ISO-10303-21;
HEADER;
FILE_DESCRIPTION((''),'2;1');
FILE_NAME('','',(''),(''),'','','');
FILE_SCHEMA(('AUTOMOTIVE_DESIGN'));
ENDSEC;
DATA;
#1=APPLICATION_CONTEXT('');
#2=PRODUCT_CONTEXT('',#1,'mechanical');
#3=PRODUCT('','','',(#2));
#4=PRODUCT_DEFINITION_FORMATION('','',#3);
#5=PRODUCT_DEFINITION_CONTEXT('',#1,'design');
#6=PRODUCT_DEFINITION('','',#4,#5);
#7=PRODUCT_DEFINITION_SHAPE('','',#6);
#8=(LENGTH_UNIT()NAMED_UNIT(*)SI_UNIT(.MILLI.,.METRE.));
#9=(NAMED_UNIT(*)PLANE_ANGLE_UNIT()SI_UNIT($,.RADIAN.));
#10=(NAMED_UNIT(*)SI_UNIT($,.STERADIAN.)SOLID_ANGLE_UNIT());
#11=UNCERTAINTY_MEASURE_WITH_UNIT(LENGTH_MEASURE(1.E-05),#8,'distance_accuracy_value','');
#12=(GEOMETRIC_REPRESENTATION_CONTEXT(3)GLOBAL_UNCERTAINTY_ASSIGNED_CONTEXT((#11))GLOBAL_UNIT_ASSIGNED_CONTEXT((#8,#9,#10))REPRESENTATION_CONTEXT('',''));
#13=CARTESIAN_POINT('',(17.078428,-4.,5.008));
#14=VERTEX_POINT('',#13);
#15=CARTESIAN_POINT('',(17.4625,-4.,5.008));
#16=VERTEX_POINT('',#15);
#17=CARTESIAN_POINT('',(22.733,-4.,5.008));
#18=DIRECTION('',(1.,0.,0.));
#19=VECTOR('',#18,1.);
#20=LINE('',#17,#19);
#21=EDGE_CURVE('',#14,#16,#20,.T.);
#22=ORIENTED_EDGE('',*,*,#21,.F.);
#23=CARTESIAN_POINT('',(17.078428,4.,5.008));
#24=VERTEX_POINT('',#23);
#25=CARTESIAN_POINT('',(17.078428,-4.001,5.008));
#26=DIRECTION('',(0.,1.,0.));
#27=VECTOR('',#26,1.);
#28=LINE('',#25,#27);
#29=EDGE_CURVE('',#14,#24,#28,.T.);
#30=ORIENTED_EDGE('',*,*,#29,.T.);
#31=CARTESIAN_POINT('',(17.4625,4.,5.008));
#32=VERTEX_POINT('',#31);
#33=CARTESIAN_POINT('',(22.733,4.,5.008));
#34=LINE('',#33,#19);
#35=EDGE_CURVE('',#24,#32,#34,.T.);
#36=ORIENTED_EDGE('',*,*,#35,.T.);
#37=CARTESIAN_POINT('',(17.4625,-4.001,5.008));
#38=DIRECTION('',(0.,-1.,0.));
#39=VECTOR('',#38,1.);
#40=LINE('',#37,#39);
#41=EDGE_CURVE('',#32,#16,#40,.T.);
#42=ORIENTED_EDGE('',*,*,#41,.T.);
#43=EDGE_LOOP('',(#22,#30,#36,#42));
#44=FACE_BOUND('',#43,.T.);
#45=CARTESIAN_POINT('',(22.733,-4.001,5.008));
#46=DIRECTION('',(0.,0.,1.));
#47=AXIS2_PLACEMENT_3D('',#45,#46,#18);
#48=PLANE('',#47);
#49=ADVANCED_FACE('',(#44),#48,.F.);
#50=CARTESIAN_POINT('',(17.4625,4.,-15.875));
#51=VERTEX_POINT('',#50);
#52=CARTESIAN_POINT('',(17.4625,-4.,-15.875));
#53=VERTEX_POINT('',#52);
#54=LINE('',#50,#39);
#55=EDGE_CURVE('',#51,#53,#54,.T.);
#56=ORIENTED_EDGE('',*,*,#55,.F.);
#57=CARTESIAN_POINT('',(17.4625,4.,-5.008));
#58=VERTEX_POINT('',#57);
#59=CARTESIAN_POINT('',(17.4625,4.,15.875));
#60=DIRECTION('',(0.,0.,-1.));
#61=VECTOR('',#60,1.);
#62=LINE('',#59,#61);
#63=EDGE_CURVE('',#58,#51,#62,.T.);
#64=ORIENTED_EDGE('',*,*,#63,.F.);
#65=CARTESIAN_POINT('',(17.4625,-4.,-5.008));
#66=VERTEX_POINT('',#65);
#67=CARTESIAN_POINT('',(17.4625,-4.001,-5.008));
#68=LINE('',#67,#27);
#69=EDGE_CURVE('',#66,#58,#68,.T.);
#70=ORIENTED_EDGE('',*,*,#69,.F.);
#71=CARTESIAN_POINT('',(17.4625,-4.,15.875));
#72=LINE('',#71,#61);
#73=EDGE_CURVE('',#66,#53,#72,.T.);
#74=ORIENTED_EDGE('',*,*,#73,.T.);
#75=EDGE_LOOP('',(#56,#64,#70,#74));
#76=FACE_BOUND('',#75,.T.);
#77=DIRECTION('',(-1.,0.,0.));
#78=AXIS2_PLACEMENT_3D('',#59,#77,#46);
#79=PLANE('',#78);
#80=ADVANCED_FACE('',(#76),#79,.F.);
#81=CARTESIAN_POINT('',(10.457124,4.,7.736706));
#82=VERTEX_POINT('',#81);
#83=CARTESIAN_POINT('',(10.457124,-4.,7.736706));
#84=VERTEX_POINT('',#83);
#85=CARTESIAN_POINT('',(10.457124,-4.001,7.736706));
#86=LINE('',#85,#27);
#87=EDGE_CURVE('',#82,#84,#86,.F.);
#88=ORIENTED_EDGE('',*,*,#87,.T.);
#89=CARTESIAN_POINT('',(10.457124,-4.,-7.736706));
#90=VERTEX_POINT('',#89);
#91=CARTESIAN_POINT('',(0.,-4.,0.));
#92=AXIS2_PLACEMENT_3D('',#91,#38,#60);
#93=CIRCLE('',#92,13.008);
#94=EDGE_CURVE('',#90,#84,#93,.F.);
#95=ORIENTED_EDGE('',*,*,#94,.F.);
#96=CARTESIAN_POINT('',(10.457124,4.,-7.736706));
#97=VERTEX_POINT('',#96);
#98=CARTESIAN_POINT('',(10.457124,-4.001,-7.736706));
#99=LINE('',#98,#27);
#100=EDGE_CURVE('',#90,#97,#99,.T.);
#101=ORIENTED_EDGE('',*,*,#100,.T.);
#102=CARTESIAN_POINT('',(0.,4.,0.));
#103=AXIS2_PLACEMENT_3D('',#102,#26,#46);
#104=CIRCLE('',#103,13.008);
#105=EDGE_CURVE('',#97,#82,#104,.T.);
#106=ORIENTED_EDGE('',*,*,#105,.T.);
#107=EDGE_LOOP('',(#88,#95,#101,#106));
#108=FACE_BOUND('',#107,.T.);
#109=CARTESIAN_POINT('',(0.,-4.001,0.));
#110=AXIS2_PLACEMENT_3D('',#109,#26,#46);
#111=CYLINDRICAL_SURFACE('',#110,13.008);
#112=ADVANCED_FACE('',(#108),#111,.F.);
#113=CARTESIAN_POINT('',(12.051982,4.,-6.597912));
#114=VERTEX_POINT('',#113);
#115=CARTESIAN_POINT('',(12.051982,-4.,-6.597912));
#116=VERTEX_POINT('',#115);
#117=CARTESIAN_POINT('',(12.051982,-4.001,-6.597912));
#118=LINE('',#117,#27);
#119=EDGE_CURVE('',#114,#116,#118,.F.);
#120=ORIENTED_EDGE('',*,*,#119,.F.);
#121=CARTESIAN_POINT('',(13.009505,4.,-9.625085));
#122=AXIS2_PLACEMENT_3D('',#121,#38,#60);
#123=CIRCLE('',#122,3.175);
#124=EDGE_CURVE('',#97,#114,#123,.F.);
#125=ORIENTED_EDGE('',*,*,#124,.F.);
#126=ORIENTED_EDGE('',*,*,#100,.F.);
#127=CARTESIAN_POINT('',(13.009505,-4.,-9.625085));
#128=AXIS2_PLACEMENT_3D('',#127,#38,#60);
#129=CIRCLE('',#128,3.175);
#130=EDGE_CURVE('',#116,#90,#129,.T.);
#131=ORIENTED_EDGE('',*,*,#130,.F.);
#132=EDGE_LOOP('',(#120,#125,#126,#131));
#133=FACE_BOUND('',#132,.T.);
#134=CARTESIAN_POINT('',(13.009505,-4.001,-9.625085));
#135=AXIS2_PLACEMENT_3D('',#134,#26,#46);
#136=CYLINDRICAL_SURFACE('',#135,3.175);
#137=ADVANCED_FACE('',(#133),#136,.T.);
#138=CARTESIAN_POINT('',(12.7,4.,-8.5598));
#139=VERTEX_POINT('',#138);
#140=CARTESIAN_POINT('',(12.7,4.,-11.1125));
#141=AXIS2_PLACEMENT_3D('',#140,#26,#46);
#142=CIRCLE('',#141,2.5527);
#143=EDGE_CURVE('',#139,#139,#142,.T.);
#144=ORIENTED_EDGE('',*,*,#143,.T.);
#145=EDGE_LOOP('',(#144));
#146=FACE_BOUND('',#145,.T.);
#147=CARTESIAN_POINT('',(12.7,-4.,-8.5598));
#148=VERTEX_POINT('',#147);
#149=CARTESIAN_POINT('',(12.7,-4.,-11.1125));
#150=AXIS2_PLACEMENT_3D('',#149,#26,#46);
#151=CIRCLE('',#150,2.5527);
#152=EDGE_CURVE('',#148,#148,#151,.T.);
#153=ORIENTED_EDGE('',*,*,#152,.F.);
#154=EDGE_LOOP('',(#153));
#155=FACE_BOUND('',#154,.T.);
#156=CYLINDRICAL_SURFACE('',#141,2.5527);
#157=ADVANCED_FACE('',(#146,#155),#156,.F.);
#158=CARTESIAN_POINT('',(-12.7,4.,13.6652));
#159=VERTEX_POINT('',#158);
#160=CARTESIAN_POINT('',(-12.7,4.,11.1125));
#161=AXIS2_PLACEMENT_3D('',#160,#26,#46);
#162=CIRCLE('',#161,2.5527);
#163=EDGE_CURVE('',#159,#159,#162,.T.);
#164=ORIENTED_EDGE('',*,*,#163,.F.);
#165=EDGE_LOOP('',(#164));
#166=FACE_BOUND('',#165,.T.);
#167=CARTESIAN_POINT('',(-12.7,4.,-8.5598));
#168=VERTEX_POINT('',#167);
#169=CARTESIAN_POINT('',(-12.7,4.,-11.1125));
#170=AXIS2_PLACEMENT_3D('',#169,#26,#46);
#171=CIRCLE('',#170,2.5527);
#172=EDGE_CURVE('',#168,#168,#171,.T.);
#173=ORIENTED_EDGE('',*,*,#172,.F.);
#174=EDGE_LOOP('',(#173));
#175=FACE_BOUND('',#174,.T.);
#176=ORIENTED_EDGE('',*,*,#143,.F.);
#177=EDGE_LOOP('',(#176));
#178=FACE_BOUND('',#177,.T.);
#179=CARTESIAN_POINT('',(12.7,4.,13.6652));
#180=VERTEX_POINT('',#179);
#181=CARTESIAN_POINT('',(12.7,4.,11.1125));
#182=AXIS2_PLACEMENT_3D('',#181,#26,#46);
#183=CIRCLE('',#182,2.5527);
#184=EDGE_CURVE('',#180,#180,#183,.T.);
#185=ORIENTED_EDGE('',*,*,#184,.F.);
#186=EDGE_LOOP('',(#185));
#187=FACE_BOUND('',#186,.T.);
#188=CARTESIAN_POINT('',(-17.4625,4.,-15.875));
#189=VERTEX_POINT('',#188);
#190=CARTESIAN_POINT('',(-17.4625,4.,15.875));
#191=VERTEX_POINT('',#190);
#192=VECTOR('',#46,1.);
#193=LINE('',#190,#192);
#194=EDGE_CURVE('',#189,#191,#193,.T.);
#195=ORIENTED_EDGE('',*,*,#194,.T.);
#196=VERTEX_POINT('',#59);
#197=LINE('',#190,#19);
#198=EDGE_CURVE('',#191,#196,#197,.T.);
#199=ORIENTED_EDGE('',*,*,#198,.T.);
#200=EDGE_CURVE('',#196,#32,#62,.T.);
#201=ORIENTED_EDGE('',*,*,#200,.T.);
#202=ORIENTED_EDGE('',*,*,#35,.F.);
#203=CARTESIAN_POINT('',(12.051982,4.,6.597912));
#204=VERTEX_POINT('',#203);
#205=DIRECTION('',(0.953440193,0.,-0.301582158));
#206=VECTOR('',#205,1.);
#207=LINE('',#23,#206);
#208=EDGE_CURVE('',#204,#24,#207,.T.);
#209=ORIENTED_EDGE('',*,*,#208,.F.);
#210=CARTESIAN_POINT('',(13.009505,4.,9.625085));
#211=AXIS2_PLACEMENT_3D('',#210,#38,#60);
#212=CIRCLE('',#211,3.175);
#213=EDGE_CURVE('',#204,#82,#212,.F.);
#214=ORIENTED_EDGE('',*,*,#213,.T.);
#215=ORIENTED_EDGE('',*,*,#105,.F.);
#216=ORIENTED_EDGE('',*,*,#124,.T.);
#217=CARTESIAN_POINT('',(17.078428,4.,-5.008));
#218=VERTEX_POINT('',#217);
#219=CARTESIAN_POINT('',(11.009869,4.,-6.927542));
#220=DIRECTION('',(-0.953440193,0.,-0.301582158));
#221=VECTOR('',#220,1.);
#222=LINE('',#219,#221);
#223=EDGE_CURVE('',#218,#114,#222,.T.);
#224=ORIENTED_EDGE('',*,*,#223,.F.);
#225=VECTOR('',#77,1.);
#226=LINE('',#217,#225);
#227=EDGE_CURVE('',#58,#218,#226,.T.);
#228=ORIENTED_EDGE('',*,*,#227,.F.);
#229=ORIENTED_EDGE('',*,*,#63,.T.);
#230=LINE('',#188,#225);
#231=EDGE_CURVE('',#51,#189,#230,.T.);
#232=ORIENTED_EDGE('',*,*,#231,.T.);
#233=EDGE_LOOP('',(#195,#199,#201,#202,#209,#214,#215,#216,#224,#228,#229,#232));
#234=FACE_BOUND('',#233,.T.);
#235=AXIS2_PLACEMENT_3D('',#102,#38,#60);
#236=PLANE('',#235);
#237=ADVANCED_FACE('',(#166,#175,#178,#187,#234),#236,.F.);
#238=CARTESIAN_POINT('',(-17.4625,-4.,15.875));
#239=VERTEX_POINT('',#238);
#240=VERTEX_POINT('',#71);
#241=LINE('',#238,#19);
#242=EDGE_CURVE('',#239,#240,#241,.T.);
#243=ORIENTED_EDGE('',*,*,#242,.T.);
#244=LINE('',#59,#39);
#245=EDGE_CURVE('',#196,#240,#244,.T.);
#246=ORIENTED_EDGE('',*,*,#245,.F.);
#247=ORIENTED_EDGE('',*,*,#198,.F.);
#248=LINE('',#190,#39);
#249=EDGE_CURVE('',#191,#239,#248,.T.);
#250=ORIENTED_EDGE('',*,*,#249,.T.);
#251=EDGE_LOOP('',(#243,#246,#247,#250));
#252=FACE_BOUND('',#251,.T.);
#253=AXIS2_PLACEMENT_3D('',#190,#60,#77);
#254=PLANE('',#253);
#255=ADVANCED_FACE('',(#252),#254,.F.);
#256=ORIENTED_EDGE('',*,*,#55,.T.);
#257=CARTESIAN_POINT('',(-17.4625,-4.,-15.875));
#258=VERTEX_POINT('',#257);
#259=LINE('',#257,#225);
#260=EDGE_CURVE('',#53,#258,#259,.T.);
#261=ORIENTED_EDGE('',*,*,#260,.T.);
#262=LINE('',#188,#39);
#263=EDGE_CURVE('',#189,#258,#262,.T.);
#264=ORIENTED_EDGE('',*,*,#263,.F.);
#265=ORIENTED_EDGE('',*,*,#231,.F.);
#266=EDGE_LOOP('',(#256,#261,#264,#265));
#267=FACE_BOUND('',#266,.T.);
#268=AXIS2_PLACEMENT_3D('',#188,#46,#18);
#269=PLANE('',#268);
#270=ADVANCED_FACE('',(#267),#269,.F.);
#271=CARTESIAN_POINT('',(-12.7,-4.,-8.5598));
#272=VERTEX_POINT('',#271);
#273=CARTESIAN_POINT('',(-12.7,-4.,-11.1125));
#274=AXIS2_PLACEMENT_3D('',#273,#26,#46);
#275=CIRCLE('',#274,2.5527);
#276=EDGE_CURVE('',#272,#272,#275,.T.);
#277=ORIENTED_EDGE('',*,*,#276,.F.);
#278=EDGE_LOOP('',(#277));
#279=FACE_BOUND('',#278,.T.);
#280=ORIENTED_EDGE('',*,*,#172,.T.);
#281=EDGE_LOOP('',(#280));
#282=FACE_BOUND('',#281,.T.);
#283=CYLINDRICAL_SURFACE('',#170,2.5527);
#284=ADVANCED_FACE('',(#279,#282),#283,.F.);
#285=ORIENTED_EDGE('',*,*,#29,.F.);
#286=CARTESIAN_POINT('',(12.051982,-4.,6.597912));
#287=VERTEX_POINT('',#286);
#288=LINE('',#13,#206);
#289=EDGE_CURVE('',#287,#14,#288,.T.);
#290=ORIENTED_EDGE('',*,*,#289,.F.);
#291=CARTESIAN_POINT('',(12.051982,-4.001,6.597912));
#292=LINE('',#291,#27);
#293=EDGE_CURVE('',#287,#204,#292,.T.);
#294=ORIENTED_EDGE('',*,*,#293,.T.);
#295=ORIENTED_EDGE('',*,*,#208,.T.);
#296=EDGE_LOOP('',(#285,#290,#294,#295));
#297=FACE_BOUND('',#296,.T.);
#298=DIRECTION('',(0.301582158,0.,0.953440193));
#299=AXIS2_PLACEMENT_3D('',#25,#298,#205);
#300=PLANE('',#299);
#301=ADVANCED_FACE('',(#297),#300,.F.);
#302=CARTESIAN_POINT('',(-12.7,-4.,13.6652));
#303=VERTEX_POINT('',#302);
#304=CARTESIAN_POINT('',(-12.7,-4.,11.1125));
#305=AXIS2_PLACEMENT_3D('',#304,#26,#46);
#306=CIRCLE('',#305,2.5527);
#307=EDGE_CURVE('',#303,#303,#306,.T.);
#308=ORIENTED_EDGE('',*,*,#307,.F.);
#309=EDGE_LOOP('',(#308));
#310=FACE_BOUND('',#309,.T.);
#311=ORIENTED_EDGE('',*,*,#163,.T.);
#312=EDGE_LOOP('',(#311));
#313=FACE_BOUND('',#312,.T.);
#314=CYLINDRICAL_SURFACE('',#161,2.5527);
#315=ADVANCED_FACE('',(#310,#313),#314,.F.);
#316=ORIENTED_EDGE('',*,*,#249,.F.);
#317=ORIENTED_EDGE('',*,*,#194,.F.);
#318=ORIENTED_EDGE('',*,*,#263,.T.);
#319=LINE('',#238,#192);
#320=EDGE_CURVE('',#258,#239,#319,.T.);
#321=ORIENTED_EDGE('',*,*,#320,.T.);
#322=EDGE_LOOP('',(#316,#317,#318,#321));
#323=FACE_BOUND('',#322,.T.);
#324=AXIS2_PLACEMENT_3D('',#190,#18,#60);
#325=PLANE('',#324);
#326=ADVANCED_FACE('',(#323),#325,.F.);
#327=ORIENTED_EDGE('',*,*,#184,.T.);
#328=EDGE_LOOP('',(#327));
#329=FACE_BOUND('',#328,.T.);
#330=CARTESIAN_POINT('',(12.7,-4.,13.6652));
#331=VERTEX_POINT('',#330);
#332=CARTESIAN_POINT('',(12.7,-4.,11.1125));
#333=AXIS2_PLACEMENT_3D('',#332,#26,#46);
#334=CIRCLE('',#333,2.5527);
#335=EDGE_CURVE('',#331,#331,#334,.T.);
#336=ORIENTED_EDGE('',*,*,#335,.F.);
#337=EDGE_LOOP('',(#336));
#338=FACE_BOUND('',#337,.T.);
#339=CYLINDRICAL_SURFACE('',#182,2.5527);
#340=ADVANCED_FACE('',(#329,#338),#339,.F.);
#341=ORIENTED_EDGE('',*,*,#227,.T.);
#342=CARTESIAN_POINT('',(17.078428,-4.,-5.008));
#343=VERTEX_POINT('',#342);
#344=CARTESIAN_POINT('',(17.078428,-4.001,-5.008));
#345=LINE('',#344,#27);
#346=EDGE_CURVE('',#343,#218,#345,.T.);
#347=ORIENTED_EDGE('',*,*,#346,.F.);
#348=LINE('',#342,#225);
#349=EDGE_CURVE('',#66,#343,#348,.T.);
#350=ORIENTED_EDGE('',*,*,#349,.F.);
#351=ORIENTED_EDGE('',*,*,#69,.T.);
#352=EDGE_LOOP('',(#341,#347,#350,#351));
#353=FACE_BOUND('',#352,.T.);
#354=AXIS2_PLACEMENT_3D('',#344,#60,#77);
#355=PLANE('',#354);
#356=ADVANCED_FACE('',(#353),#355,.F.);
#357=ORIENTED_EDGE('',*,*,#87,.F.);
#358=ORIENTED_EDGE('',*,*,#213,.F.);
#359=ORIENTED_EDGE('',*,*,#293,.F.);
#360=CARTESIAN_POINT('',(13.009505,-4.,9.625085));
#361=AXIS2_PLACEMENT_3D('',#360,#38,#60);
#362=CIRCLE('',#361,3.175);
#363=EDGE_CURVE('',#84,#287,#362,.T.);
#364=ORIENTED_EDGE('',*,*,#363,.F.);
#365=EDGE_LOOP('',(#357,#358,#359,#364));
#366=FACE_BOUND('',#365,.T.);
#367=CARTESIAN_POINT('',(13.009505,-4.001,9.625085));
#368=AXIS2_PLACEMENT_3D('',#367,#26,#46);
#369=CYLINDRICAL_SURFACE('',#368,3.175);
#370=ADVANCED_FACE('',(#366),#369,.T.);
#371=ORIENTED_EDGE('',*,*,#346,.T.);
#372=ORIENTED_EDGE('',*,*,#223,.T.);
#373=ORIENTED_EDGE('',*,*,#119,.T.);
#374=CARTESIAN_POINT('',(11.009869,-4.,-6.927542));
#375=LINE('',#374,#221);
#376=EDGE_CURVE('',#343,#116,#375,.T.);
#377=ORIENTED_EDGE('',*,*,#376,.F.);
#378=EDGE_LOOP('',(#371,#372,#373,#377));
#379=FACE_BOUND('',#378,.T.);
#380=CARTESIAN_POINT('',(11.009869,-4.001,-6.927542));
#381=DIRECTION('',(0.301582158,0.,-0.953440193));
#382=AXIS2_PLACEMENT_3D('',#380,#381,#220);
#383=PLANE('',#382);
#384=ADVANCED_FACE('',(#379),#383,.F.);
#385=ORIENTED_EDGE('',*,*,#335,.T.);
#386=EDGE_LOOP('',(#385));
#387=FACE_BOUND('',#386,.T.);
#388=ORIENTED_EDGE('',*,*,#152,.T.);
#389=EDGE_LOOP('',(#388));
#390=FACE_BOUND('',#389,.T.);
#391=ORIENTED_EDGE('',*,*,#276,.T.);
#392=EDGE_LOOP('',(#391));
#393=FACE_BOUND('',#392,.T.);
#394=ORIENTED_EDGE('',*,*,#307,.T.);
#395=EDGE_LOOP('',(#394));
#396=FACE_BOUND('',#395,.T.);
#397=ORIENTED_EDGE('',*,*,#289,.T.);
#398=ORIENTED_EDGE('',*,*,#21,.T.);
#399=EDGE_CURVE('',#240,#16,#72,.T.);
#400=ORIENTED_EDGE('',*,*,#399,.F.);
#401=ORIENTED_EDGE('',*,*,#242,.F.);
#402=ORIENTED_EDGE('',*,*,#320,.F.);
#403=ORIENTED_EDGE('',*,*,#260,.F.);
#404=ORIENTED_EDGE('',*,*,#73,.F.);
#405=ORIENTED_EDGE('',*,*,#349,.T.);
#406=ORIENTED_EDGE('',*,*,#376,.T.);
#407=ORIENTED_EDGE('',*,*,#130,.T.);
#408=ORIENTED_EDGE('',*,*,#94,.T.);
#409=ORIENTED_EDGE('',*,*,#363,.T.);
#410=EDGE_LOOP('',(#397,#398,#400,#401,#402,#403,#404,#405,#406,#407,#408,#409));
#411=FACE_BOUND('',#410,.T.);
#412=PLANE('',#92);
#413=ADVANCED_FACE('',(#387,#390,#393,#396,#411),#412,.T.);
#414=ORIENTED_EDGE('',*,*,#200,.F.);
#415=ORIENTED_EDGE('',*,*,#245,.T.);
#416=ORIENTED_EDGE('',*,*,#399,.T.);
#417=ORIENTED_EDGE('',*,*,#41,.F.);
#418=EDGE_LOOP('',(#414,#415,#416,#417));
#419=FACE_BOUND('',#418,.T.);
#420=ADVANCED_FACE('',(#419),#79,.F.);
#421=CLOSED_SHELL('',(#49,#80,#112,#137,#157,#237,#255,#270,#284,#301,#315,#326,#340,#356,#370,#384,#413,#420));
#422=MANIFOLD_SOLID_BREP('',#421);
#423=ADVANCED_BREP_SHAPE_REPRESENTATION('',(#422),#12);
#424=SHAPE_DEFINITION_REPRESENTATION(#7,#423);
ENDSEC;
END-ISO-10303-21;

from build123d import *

# Parameters (mm, degrees)
SKETCH1_W              = 34.925
SKETCH1_H              = 31.75
PLATE_DEPTH            = 4
F_10_CLEARANCE_HOLE1_D = 5.1054
LOAD_CELL_CUTOUT_REACH = 26.919
FILLET1_R              = 3.175


with BuildPart() as part:
    # Sketch1 → Plate (new, symmetric)
    with BuildSketch(Plane(origin=(0, 0, 0), x_dir=(1, 0, 0), z_dir=(0, 1, 0))):
        Rectangle(SKETCH1_W, SKETCH1_H)
    extrude(amount=PLATE_DEPTH, both=True)

    # #10 Clearance Hole1 (through all)
    with Locations(Plane(origin=(0, 4, 0), x_dir=(1, 0, 0), z_dir=(0, 1, 0))):
        with Locations((-12.7, 11.1125), (12.7, 11.1125), (12.7, -11.1125), (-12.7, -11.1125)):
            Hole(F_10_CLEARANCE_HOLE1_D / 2)

    # Sketch4 → Load Cell Cutout (cut, up to next)
    with BuildSketch(Plane(origin=(0, 4, 0), x_dir=(1, 0, 0), z_dir=(0, 1, 0)), mode=Mode.PRIVATE) as load_cell_cutout_sk1:
        with BuildLine():
            Line((11.009869163, 6.927542495), (17.078427656, 5.008))
            Line((17.078427656, 5.008), (22.733, 5.008))
            Line((22.733, 5.008), (22.733, -5.008))
            Line((22.733, -5.008), (17.078427656, -5.008))
            Line((17.078427656, -5.008), (11.009869163, -6.927542495))
            ThreePointArc((11.009869163, -6.927542495), (-13.008, 0), (11.009869163, 6.927542495))
        make_face()
    load_cell_cutout_tool1 = extrude(load_cell_cutout_sk1.sketch, amount=-LOAD_CELL_CUTOUT_REACH, mode=Mode.PRIVATE) & part.part
    add(load_cell_cutout_tool1.solids().sort_by_distance((2.977457, 4, 0))[0], mode=Mode.SUBTRACT)

    # Fillet1
    fillet1_edges = [part.edges().sort_by_distance(p)[0] for p in [
        (11.009869163, 0, 6.927542495),
        (11.009869163, 0, -6.927542495),
    ]]
    fillet(fillet1_edges, radius=FILLET1_R)


solid = part.part
